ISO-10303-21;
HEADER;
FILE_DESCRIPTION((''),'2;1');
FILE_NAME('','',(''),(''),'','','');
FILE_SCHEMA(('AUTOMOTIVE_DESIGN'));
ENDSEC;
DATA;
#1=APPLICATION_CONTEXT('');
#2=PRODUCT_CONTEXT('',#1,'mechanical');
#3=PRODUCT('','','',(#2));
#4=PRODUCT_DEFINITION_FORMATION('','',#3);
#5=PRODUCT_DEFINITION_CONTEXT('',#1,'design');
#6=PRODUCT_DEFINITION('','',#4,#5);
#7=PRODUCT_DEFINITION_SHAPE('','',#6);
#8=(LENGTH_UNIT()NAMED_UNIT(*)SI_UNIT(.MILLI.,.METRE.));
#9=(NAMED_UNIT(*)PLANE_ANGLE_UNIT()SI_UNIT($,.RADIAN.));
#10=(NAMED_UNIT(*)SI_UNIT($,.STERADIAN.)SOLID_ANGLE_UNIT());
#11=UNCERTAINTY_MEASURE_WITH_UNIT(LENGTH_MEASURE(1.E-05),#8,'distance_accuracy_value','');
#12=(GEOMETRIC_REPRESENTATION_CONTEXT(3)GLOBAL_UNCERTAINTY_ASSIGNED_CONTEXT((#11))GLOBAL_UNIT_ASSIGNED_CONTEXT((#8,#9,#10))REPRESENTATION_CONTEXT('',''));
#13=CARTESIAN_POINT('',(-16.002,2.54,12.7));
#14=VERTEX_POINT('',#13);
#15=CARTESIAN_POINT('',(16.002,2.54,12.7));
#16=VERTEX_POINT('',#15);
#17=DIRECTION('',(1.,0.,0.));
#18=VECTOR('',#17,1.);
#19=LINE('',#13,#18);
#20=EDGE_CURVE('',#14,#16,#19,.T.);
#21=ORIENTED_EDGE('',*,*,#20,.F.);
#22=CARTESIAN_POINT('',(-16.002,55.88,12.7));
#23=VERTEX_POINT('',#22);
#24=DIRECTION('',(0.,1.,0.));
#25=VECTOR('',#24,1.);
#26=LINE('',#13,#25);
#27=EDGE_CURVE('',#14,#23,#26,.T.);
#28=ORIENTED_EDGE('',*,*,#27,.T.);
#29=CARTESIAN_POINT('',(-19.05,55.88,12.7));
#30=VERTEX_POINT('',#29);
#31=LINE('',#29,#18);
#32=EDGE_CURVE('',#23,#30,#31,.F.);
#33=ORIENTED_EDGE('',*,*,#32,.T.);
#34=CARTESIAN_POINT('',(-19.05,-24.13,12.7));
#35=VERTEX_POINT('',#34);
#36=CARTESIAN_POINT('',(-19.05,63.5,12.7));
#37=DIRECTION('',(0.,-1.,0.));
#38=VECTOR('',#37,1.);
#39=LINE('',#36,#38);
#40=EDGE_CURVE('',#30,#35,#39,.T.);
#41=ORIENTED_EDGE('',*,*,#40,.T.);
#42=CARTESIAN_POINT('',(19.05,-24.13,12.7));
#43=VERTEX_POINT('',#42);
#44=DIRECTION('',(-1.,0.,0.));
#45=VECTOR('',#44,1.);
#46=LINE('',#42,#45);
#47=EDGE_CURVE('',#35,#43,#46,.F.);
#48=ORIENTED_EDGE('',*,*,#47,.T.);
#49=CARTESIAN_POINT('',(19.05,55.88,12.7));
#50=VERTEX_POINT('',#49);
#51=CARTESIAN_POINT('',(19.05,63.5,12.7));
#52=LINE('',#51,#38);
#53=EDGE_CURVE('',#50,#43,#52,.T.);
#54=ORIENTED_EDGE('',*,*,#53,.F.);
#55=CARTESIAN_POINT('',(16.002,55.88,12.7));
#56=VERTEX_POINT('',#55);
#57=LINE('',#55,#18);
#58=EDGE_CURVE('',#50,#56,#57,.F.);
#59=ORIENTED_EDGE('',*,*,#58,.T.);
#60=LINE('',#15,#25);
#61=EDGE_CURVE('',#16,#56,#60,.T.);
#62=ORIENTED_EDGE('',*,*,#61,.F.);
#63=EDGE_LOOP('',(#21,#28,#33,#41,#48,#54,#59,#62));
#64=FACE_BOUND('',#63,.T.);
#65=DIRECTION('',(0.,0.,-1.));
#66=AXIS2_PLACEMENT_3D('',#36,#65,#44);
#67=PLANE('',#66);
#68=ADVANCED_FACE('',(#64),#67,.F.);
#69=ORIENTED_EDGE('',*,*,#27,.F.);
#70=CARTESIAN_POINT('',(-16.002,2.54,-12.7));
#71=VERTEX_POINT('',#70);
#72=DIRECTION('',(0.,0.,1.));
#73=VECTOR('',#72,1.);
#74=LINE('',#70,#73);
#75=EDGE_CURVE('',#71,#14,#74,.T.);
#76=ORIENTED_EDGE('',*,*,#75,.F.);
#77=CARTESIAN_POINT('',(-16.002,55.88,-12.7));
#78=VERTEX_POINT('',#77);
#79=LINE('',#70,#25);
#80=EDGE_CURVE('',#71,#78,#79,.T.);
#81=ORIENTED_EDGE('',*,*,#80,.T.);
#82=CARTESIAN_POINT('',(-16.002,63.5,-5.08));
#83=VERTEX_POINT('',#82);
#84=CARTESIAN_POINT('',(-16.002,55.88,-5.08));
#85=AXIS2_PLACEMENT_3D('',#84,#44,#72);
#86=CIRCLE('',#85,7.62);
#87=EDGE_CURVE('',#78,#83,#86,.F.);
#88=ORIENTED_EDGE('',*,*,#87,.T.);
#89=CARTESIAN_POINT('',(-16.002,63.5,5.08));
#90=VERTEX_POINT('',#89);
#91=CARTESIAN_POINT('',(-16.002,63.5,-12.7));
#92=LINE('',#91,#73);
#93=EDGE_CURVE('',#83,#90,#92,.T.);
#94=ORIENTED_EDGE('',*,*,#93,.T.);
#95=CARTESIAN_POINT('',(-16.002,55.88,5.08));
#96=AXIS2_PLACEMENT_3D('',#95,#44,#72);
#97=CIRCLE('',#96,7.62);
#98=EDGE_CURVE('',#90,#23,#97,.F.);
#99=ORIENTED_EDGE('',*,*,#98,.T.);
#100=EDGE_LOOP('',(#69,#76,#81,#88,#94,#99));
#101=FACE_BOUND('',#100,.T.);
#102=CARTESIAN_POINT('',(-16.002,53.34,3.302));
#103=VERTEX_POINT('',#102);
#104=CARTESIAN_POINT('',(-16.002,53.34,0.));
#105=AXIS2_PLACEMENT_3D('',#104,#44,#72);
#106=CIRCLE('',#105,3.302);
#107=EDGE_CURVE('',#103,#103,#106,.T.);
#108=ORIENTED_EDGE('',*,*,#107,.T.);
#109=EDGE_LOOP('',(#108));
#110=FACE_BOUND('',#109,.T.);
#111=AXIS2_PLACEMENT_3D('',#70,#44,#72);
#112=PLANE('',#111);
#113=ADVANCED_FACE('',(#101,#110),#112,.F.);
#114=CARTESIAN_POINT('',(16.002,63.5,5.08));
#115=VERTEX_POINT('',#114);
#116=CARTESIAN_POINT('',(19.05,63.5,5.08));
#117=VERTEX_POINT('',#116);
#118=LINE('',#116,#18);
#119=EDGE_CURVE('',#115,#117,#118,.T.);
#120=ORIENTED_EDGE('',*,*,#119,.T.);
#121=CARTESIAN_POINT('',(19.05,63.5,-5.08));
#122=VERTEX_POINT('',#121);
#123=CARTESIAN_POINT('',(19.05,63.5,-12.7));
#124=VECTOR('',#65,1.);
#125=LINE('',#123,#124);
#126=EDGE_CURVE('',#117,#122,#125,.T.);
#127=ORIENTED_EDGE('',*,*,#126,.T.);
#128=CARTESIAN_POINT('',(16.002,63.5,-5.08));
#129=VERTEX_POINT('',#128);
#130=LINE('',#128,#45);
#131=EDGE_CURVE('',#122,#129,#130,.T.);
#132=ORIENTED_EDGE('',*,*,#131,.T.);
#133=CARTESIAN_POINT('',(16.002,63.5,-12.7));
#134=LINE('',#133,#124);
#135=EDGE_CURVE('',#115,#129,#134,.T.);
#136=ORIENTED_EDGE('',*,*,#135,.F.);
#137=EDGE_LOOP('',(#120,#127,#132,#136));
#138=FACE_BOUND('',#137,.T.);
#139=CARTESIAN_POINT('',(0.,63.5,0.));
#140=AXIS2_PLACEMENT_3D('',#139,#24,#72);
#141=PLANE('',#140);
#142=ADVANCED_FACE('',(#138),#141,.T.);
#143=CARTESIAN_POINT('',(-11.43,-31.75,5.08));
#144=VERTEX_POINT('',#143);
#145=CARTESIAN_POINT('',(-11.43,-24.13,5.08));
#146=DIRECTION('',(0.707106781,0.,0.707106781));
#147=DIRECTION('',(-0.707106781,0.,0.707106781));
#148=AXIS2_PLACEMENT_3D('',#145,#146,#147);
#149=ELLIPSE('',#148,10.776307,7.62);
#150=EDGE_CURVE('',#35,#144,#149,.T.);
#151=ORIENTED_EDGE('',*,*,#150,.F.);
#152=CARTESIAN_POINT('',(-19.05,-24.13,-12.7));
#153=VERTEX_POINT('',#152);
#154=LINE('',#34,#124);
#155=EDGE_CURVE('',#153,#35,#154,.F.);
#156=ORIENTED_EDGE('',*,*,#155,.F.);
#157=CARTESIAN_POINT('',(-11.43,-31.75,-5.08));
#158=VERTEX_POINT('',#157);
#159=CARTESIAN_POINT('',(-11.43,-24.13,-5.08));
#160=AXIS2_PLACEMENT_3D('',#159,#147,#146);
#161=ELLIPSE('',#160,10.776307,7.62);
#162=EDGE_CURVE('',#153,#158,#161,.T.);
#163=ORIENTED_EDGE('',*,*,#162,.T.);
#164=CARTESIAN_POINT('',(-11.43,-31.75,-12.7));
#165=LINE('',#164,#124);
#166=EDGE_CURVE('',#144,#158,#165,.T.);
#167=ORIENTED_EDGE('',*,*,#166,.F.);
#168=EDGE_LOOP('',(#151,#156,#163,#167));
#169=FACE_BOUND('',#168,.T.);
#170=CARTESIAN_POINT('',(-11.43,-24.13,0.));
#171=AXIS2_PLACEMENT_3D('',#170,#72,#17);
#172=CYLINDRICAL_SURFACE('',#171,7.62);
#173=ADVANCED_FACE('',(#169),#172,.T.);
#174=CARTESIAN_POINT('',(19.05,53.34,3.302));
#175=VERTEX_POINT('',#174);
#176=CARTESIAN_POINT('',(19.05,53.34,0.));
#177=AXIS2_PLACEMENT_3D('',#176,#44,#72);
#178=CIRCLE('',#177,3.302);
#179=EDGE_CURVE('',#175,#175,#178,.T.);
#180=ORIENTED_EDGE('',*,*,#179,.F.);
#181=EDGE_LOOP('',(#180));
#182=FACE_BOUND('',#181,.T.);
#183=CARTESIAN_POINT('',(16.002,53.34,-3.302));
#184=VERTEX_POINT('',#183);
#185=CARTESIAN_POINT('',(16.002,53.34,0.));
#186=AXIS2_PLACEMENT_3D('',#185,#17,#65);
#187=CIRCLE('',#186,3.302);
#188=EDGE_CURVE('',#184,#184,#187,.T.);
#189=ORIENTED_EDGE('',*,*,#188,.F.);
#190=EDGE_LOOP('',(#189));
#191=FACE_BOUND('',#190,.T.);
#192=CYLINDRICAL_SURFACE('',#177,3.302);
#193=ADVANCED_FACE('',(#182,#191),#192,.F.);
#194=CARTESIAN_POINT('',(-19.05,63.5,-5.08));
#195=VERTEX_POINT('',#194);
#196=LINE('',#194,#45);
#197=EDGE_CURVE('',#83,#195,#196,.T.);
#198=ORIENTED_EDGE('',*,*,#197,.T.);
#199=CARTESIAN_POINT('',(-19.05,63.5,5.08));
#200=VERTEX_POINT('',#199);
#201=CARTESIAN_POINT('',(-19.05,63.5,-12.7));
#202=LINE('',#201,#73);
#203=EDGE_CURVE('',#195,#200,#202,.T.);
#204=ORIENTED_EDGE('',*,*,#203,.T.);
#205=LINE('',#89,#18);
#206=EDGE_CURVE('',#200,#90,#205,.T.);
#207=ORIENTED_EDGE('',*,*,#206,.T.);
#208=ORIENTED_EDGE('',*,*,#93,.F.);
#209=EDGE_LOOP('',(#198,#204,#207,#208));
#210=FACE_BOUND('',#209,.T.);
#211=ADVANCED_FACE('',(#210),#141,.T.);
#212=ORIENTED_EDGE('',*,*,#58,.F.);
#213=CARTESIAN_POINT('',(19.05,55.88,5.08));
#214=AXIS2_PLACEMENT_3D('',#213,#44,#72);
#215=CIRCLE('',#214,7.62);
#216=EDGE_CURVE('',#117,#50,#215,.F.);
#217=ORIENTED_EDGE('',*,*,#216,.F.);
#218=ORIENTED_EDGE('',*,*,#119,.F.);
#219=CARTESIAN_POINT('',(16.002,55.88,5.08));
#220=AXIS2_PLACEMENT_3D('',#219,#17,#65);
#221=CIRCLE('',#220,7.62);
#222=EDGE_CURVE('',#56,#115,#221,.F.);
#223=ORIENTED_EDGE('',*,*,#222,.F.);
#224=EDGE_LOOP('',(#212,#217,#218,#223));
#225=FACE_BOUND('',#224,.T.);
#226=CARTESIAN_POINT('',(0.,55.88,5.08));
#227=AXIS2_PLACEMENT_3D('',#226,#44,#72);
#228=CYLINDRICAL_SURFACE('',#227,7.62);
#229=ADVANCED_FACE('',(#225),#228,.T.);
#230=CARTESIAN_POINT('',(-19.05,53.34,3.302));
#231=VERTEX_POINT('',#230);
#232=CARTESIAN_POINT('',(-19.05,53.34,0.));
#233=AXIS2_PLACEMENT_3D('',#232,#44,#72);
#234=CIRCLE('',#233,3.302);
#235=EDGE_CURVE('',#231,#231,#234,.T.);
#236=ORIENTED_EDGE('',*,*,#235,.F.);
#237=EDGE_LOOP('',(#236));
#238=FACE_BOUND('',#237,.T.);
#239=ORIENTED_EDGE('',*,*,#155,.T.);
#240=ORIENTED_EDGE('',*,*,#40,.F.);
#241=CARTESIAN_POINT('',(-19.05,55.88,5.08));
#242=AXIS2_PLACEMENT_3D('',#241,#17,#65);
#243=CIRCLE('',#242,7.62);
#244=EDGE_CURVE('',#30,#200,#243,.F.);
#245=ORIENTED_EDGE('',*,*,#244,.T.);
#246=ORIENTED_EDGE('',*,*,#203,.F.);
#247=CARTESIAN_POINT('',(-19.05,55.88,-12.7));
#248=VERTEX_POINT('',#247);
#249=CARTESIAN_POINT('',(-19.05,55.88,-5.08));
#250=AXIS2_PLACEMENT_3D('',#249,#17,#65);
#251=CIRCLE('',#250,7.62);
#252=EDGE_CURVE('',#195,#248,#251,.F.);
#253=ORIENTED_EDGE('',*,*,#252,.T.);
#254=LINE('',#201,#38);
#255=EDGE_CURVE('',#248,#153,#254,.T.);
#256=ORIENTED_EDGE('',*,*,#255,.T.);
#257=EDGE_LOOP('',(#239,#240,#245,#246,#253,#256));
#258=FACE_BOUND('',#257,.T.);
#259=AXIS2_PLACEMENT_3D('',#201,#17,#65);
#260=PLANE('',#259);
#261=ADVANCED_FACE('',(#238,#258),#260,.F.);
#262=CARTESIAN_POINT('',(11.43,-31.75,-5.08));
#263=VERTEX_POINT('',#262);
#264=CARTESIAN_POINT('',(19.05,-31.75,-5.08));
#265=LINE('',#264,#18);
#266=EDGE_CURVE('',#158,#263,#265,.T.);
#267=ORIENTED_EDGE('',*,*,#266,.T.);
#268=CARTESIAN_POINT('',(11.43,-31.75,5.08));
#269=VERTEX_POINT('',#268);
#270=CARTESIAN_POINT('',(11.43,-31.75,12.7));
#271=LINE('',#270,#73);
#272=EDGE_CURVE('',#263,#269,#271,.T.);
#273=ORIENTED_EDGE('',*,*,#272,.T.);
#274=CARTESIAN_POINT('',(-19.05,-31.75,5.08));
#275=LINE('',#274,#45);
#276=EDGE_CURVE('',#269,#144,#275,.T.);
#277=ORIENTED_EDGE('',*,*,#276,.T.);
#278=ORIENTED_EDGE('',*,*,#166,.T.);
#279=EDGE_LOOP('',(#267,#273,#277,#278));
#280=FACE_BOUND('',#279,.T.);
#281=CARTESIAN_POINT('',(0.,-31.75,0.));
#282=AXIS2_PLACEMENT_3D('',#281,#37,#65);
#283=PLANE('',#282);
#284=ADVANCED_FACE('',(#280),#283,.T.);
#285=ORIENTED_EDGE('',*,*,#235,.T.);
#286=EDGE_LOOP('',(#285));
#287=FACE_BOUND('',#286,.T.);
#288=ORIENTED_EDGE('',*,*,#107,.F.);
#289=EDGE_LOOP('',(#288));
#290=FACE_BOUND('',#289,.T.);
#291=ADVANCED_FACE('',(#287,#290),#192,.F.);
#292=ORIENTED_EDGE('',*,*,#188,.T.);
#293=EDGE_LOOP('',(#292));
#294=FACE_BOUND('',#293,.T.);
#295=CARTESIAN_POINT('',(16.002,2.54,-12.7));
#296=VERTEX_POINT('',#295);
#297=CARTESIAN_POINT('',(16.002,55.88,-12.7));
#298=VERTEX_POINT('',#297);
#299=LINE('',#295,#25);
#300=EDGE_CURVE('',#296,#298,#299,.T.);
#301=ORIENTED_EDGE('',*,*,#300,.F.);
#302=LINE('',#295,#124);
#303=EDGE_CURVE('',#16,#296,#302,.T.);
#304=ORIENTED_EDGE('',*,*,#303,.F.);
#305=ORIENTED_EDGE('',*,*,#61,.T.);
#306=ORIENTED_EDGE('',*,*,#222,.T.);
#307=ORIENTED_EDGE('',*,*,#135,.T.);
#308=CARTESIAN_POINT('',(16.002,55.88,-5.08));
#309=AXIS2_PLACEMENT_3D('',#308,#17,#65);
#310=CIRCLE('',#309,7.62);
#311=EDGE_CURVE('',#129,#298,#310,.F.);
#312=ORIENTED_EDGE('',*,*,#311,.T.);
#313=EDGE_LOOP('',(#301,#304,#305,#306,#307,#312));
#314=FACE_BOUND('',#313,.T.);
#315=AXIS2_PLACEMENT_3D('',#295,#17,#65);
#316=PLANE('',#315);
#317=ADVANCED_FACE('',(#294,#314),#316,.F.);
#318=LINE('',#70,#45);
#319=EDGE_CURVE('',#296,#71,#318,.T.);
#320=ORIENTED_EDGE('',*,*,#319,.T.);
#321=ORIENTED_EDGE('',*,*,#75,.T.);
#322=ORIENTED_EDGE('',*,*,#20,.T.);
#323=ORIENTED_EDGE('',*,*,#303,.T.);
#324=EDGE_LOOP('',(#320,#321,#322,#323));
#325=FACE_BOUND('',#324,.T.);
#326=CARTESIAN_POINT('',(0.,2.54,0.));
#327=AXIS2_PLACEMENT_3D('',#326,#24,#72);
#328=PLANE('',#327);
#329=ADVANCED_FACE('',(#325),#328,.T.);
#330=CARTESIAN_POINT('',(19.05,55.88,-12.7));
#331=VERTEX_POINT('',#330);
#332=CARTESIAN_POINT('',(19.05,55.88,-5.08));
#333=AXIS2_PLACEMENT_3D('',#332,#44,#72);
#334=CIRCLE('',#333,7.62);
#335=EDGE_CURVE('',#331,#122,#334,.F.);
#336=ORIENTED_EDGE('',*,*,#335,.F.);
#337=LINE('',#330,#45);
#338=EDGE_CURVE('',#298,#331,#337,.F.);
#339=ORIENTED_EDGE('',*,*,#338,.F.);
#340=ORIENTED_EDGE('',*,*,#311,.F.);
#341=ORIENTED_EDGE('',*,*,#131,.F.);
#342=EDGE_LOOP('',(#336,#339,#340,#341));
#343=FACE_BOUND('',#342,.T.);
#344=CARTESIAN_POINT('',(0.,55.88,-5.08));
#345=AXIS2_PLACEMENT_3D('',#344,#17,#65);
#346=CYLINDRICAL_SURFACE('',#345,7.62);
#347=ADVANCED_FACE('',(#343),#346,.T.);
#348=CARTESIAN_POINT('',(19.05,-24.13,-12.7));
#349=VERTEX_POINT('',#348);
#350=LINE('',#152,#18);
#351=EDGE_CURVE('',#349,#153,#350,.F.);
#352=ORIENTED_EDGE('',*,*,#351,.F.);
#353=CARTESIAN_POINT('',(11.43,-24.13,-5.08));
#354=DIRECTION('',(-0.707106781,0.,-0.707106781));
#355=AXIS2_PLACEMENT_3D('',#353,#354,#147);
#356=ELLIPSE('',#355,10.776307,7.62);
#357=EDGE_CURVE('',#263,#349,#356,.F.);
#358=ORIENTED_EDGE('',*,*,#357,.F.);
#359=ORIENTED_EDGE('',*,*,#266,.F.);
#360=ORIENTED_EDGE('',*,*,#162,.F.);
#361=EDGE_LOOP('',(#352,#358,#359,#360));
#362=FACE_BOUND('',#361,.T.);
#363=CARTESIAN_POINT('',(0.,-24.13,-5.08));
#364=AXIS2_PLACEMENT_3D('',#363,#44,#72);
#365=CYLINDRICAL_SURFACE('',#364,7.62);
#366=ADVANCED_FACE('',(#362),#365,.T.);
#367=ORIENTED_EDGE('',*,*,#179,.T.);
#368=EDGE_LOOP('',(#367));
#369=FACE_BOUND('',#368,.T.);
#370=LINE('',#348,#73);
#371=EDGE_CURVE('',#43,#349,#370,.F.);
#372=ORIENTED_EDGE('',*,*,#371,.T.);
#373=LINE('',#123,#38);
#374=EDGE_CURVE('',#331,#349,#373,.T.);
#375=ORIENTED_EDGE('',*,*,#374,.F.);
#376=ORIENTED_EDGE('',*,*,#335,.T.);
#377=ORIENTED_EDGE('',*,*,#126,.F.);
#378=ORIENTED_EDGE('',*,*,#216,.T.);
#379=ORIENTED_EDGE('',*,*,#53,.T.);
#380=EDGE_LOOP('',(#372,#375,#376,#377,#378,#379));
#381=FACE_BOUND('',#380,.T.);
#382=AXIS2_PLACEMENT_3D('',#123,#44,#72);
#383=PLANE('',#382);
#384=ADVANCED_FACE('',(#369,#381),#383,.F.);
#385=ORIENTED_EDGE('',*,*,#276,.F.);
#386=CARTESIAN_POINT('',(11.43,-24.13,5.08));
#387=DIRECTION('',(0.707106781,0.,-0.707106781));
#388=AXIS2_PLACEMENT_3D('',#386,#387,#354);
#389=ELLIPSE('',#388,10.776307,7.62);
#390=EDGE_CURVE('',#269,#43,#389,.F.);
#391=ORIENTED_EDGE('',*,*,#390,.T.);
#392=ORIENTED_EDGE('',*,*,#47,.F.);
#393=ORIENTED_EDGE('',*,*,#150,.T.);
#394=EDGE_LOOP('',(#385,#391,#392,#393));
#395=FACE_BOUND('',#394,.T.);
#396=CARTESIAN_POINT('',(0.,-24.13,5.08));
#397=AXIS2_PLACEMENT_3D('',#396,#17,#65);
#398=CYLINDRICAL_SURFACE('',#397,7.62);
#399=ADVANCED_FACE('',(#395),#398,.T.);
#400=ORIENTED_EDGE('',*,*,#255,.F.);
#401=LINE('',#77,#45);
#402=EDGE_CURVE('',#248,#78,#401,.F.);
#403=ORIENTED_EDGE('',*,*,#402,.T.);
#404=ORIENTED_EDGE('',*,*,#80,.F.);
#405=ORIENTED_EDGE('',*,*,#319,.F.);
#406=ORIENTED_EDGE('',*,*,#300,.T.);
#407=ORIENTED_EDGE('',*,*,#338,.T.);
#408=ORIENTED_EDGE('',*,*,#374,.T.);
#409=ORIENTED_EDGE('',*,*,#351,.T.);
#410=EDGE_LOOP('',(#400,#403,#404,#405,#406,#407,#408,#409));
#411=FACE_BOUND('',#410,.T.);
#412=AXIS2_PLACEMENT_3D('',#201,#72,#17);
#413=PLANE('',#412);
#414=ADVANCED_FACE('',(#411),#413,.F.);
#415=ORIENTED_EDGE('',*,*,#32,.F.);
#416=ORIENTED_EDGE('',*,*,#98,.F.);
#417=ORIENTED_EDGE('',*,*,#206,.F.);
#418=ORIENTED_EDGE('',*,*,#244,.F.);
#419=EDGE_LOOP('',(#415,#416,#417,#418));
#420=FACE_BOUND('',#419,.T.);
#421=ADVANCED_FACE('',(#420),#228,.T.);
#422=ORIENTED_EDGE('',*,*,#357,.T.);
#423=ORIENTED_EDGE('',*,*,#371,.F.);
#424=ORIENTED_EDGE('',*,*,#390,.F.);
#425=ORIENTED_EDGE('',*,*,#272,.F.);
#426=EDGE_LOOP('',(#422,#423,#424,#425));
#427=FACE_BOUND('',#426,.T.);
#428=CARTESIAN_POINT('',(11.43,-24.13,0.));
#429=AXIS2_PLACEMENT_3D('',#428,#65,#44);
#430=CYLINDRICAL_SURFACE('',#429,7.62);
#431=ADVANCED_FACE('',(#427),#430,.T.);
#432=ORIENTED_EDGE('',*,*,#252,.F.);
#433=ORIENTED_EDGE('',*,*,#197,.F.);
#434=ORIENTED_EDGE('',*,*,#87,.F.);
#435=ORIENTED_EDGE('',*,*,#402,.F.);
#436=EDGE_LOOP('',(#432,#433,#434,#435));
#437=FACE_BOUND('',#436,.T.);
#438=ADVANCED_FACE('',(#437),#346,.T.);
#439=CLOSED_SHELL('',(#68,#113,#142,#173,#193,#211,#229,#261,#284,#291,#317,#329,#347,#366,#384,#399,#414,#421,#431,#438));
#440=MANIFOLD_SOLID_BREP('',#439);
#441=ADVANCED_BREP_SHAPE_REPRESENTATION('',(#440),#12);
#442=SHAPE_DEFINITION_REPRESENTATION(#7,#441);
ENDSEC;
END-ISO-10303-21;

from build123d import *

# Parameters (mm, degrees)
SKETCH1_W           = 38.1
SKETCH1_H           = 25.4
BOSS_EXTRUDE1_DEPTH = 63.5
SKETCH2_W           = 32.004
SKETCH2_H           = 25.4
CUT_EXTRUDE1_DEPTH  = 60.96
SKETCH3_R           = 3.302
CUT_EXTRUDE2_DEPTH  = 76.134213245
FILLET1_R           = 7.62
SKETCH4_W           = 38.1
SKETCH4_H           = 25.4
BOSS_EXTRUDE2_DEPTH = 31.75
FILLET2_R           = 7.62


with BuildPart() as part:
    # Sketch1 → Boss-Extrude1 (new body)
    with BuildSketch(Plane(origin=(0, 0, 0), x_dir=(1, 0, 0), z_dir=(0, 1, 0))):
        Rectangle(SKETCH1_W, SKETCH1_H)
    extrude(amount=BOSS_EXTRUDE1_DEPTH)

    # Sketch2 → Cut-Extrude1 (cut)
    with BuildSketch(Plane(origin=(0, 63.5, 0), x_dir=(1, 0, 0), z_dir=(0, 1, 0))):
        Rectangle(SKETCH2_W, SKETCH2_H)
    extrude(amount=-CUT_EXTRUDE1_DEPTH, mode=Mode.SUBTRACT)

    # Sketch3 → Cut-Extrude2 (cut, through all)
    with BuildSketch(Plane.ZY.offset(19.05)):
        with Locations((0, 53.34)):
            Circle(SKETCH3_R)
    extrude(amount=-CUT_EXTRUDE2_DEPTH, mode=Mode.SUBTRACT)

    # Fillet1
    fillet1_edges = [part.edges().sort_by_distance(p)[0] for p in [
        (-17.526, 63.5, -12.7),
        (17.526, 63.5, 12.7),
        (-17.526, 63.5, 12.7),
        (17.526, 63.5, -12.7),
    ]]
    fillet(fillet1_edges, radius=FILLET1_R)

    # Sketch4 → Boss-Extrude2 (add)
    with BuildSketch(Plane.XZ):
        Rectangle(SKETCH4_W, SKETCH4_H)
    extrude(amount=BOSS_EXTRUDE2_DEPTH)

    # Fillet2
    fillet2_edges = [part.edges().sort_by_distance(p)[0] for p in [
        (-19.05, -31.75, 0),
        (0, -31.75, -12.7),
        (19.05, -31.75, 0),
        (0, -31.75, 12.7),
    ]]
    fillet(fillet2_edges, radius=FILLET2_R)


solid = part.part
